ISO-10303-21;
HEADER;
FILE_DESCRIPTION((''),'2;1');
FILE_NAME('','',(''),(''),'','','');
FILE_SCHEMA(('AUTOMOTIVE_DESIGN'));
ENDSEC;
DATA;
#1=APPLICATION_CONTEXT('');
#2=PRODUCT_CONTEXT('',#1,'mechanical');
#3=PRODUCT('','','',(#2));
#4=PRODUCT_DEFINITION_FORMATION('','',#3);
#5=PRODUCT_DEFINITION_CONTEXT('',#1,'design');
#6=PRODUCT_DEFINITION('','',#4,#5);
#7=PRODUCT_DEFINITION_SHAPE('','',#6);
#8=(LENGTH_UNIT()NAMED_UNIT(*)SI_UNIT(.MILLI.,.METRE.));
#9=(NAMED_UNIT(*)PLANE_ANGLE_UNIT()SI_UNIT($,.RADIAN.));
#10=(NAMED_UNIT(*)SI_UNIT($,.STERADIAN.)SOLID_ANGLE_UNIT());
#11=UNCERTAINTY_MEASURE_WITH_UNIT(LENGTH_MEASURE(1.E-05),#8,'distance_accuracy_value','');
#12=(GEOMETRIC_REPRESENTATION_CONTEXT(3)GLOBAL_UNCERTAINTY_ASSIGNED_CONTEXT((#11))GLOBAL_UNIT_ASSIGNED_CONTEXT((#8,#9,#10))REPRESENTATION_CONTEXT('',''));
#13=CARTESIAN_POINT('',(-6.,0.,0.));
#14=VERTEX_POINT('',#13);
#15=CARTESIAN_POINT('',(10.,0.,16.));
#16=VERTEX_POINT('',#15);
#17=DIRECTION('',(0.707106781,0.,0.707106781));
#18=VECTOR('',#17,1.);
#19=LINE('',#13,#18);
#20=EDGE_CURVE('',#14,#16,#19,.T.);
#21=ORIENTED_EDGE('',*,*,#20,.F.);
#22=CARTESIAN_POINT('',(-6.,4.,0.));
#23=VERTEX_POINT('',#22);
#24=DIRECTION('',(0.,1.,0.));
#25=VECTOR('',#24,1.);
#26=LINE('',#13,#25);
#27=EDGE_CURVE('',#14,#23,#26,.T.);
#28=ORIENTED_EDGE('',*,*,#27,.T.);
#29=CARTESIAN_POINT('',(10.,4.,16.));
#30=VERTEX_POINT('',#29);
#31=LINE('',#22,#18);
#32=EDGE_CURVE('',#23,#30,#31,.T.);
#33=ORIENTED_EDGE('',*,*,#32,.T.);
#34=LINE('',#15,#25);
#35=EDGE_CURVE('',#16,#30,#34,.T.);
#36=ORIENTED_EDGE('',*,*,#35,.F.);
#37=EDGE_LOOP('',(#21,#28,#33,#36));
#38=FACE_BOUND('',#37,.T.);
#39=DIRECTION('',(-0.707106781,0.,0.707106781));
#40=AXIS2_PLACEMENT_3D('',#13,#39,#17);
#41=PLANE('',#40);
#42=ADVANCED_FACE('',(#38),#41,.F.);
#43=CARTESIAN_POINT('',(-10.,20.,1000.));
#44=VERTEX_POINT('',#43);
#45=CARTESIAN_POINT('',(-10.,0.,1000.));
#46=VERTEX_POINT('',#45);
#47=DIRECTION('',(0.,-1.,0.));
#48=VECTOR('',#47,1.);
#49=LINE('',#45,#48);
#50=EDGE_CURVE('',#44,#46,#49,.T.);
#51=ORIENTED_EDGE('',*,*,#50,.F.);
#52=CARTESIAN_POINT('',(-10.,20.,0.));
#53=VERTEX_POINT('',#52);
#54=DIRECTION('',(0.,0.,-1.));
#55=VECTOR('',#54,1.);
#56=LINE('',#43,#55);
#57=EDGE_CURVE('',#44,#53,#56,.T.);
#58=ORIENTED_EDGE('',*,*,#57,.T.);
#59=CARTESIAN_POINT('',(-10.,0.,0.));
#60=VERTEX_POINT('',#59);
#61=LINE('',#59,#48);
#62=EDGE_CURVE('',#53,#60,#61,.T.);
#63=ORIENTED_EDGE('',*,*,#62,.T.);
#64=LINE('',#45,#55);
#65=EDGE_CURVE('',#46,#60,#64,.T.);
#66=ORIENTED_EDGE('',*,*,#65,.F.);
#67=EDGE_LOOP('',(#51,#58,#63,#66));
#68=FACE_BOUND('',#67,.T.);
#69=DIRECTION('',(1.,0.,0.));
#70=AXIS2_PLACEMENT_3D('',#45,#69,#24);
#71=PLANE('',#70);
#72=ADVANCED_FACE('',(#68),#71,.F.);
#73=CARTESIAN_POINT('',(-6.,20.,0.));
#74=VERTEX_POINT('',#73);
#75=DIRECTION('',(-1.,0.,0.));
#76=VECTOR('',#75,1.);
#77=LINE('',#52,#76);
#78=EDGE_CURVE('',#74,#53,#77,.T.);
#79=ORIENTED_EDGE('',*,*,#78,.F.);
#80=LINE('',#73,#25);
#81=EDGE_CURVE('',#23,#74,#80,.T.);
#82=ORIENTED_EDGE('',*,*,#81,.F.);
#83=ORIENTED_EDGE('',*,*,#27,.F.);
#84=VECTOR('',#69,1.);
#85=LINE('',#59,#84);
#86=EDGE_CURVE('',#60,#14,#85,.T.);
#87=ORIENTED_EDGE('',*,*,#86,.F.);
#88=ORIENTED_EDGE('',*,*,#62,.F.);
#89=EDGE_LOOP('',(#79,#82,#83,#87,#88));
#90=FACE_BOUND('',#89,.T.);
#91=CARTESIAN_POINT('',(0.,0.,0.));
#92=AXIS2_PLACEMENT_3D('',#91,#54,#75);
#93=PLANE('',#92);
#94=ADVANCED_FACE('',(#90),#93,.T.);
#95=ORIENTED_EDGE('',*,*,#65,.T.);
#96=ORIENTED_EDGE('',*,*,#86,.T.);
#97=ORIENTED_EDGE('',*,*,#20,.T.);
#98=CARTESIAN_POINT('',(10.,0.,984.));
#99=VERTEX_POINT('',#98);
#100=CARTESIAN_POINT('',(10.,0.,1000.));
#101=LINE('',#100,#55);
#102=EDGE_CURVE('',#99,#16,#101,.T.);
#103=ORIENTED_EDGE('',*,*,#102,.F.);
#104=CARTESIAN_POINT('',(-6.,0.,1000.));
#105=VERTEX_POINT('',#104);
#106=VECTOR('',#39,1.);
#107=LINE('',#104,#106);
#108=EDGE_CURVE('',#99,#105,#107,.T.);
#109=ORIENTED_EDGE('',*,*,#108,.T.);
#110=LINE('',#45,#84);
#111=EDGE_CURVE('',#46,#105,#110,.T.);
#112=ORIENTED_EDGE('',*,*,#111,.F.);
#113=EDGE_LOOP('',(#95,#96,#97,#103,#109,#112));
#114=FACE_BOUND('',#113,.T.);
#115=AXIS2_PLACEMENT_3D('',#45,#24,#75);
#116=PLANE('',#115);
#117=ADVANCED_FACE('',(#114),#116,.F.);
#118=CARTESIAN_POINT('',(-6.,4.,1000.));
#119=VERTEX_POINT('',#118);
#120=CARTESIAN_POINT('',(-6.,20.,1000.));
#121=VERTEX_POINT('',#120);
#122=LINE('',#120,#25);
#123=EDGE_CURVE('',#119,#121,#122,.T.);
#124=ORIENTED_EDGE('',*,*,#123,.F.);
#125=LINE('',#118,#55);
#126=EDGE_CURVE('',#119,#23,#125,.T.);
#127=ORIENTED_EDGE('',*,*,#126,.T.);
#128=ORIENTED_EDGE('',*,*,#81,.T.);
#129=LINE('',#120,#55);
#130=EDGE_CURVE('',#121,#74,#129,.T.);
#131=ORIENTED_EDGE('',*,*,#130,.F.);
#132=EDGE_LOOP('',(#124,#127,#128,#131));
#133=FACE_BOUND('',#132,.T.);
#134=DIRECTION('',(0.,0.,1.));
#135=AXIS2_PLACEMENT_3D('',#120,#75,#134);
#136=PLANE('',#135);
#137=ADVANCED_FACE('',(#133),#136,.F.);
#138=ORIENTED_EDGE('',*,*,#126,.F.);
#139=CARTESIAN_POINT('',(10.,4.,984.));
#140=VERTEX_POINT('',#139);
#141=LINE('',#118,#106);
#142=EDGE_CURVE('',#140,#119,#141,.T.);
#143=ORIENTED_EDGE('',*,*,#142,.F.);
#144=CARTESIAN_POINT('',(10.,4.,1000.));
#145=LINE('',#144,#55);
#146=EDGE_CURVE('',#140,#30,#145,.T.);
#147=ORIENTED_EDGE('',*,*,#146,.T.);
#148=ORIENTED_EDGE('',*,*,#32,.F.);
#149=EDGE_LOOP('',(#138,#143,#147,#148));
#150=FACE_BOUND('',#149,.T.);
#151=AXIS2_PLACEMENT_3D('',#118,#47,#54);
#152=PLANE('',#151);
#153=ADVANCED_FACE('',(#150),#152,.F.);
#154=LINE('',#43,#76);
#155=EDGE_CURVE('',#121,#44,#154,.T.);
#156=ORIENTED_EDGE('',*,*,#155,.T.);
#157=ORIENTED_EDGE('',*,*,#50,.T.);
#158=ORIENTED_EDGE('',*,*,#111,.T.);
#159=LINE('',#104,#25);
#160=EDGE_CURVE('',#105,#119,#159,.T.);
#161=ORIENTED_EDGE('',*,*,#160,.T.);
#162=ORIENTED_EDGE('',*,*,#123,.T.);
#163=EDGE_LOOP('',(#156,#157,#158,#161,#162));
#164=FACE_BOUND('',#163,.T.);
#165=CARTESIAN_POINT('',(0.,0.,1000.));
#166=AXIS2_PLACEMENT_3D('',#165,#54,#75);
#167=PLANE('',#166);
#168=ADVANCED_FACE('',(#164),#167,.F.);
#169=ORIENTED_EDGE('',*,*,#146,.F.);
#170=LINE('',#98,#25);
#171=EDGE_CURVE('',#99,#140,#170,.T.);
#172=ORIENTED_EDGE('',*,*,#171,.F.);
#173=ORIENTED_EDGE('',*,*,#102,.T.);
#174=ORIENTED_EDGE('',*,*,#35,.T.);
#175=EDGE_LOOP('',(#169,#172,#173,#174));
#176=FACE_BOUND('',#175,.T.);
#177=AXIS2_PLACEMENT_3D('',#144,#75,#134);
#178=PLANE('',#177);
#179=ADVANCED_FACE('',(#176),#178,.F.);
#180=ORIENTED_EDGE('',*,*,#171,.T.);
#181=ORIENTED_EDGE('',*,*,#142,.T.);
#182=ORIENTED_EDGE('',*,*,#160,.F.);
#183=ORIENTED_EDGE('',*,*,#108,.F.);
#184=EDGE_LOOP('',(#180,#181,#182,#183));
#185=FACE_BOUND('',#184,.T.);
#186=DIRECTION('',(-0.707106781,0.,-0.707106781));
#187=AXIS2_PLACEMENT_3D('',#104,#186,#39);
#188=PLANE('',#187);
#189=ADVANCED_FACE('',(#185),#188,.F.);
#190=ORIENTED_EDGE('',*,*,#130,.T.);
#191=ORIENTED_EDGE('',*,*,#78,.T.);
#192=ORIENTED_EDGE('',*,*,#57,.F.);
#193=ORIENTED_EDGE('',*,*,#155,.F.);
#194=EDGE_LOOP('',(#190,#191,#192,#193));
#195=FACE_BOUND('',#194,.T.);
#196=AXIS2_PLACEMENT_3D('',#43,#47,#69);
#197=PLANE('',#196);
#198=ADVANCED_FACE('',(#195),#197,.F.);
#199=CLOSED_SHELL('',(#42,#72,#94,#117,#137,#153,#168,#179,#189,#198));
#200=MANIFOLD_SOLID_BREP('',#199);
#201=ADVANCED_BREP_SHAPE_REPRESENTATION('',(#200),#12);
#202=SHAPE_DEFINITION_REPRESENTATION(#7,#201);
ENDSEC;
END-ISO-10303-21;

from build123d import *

# Parameters (mm, degrees)
EXTRUDE_1_DEPTH     = 1000
CUT_EXTRUDE_1_DEPTH = 1001.177984161
CUT_EXTRUDE_2_DEPTH = 1001.177984161


with BuildPart() as part:
    # Эскиз1 → Бобышка-Вытянуть1 (new body)
    with BuildSketch(Plane.XY):
        Polygon((-10, 0), (10, 0), (10, 4), (-6, 4), (-6, 20), (-10, 20), align=None)
    extrude(amount=EXTRUDE_1_DEPTH)

    # Эскиз2 → Вырез-Вытянуть1 (cut, through all)
    with BuildSketch(Plane(origin=(0, 4, 0), x_dir=(1, 0, 0), z_dir=(0, 1, 0))):
        Polygon((-6, 0), (10, -16), (10, 0), align=None)
    extrude(amount=-CUT_EXTRUDE_1_DEPTH, mode=Mode.SUBTRACT)

    # Эскиз3 → Вырез-Вытянуть2 (cut, through all)
    with BuildSketch(Plane(origin=(0, 4, 0), x_dir=(1, 0, 0), z_dir=(0, 1, 0))):
        Polygon((-6, -1000), (10, -984), (10, -1000), align=None)
    extrude(amount=-CUT_EXTRUDE_2_DEPTH, mode=Mode.SUBTRACT)


solid = part.part
